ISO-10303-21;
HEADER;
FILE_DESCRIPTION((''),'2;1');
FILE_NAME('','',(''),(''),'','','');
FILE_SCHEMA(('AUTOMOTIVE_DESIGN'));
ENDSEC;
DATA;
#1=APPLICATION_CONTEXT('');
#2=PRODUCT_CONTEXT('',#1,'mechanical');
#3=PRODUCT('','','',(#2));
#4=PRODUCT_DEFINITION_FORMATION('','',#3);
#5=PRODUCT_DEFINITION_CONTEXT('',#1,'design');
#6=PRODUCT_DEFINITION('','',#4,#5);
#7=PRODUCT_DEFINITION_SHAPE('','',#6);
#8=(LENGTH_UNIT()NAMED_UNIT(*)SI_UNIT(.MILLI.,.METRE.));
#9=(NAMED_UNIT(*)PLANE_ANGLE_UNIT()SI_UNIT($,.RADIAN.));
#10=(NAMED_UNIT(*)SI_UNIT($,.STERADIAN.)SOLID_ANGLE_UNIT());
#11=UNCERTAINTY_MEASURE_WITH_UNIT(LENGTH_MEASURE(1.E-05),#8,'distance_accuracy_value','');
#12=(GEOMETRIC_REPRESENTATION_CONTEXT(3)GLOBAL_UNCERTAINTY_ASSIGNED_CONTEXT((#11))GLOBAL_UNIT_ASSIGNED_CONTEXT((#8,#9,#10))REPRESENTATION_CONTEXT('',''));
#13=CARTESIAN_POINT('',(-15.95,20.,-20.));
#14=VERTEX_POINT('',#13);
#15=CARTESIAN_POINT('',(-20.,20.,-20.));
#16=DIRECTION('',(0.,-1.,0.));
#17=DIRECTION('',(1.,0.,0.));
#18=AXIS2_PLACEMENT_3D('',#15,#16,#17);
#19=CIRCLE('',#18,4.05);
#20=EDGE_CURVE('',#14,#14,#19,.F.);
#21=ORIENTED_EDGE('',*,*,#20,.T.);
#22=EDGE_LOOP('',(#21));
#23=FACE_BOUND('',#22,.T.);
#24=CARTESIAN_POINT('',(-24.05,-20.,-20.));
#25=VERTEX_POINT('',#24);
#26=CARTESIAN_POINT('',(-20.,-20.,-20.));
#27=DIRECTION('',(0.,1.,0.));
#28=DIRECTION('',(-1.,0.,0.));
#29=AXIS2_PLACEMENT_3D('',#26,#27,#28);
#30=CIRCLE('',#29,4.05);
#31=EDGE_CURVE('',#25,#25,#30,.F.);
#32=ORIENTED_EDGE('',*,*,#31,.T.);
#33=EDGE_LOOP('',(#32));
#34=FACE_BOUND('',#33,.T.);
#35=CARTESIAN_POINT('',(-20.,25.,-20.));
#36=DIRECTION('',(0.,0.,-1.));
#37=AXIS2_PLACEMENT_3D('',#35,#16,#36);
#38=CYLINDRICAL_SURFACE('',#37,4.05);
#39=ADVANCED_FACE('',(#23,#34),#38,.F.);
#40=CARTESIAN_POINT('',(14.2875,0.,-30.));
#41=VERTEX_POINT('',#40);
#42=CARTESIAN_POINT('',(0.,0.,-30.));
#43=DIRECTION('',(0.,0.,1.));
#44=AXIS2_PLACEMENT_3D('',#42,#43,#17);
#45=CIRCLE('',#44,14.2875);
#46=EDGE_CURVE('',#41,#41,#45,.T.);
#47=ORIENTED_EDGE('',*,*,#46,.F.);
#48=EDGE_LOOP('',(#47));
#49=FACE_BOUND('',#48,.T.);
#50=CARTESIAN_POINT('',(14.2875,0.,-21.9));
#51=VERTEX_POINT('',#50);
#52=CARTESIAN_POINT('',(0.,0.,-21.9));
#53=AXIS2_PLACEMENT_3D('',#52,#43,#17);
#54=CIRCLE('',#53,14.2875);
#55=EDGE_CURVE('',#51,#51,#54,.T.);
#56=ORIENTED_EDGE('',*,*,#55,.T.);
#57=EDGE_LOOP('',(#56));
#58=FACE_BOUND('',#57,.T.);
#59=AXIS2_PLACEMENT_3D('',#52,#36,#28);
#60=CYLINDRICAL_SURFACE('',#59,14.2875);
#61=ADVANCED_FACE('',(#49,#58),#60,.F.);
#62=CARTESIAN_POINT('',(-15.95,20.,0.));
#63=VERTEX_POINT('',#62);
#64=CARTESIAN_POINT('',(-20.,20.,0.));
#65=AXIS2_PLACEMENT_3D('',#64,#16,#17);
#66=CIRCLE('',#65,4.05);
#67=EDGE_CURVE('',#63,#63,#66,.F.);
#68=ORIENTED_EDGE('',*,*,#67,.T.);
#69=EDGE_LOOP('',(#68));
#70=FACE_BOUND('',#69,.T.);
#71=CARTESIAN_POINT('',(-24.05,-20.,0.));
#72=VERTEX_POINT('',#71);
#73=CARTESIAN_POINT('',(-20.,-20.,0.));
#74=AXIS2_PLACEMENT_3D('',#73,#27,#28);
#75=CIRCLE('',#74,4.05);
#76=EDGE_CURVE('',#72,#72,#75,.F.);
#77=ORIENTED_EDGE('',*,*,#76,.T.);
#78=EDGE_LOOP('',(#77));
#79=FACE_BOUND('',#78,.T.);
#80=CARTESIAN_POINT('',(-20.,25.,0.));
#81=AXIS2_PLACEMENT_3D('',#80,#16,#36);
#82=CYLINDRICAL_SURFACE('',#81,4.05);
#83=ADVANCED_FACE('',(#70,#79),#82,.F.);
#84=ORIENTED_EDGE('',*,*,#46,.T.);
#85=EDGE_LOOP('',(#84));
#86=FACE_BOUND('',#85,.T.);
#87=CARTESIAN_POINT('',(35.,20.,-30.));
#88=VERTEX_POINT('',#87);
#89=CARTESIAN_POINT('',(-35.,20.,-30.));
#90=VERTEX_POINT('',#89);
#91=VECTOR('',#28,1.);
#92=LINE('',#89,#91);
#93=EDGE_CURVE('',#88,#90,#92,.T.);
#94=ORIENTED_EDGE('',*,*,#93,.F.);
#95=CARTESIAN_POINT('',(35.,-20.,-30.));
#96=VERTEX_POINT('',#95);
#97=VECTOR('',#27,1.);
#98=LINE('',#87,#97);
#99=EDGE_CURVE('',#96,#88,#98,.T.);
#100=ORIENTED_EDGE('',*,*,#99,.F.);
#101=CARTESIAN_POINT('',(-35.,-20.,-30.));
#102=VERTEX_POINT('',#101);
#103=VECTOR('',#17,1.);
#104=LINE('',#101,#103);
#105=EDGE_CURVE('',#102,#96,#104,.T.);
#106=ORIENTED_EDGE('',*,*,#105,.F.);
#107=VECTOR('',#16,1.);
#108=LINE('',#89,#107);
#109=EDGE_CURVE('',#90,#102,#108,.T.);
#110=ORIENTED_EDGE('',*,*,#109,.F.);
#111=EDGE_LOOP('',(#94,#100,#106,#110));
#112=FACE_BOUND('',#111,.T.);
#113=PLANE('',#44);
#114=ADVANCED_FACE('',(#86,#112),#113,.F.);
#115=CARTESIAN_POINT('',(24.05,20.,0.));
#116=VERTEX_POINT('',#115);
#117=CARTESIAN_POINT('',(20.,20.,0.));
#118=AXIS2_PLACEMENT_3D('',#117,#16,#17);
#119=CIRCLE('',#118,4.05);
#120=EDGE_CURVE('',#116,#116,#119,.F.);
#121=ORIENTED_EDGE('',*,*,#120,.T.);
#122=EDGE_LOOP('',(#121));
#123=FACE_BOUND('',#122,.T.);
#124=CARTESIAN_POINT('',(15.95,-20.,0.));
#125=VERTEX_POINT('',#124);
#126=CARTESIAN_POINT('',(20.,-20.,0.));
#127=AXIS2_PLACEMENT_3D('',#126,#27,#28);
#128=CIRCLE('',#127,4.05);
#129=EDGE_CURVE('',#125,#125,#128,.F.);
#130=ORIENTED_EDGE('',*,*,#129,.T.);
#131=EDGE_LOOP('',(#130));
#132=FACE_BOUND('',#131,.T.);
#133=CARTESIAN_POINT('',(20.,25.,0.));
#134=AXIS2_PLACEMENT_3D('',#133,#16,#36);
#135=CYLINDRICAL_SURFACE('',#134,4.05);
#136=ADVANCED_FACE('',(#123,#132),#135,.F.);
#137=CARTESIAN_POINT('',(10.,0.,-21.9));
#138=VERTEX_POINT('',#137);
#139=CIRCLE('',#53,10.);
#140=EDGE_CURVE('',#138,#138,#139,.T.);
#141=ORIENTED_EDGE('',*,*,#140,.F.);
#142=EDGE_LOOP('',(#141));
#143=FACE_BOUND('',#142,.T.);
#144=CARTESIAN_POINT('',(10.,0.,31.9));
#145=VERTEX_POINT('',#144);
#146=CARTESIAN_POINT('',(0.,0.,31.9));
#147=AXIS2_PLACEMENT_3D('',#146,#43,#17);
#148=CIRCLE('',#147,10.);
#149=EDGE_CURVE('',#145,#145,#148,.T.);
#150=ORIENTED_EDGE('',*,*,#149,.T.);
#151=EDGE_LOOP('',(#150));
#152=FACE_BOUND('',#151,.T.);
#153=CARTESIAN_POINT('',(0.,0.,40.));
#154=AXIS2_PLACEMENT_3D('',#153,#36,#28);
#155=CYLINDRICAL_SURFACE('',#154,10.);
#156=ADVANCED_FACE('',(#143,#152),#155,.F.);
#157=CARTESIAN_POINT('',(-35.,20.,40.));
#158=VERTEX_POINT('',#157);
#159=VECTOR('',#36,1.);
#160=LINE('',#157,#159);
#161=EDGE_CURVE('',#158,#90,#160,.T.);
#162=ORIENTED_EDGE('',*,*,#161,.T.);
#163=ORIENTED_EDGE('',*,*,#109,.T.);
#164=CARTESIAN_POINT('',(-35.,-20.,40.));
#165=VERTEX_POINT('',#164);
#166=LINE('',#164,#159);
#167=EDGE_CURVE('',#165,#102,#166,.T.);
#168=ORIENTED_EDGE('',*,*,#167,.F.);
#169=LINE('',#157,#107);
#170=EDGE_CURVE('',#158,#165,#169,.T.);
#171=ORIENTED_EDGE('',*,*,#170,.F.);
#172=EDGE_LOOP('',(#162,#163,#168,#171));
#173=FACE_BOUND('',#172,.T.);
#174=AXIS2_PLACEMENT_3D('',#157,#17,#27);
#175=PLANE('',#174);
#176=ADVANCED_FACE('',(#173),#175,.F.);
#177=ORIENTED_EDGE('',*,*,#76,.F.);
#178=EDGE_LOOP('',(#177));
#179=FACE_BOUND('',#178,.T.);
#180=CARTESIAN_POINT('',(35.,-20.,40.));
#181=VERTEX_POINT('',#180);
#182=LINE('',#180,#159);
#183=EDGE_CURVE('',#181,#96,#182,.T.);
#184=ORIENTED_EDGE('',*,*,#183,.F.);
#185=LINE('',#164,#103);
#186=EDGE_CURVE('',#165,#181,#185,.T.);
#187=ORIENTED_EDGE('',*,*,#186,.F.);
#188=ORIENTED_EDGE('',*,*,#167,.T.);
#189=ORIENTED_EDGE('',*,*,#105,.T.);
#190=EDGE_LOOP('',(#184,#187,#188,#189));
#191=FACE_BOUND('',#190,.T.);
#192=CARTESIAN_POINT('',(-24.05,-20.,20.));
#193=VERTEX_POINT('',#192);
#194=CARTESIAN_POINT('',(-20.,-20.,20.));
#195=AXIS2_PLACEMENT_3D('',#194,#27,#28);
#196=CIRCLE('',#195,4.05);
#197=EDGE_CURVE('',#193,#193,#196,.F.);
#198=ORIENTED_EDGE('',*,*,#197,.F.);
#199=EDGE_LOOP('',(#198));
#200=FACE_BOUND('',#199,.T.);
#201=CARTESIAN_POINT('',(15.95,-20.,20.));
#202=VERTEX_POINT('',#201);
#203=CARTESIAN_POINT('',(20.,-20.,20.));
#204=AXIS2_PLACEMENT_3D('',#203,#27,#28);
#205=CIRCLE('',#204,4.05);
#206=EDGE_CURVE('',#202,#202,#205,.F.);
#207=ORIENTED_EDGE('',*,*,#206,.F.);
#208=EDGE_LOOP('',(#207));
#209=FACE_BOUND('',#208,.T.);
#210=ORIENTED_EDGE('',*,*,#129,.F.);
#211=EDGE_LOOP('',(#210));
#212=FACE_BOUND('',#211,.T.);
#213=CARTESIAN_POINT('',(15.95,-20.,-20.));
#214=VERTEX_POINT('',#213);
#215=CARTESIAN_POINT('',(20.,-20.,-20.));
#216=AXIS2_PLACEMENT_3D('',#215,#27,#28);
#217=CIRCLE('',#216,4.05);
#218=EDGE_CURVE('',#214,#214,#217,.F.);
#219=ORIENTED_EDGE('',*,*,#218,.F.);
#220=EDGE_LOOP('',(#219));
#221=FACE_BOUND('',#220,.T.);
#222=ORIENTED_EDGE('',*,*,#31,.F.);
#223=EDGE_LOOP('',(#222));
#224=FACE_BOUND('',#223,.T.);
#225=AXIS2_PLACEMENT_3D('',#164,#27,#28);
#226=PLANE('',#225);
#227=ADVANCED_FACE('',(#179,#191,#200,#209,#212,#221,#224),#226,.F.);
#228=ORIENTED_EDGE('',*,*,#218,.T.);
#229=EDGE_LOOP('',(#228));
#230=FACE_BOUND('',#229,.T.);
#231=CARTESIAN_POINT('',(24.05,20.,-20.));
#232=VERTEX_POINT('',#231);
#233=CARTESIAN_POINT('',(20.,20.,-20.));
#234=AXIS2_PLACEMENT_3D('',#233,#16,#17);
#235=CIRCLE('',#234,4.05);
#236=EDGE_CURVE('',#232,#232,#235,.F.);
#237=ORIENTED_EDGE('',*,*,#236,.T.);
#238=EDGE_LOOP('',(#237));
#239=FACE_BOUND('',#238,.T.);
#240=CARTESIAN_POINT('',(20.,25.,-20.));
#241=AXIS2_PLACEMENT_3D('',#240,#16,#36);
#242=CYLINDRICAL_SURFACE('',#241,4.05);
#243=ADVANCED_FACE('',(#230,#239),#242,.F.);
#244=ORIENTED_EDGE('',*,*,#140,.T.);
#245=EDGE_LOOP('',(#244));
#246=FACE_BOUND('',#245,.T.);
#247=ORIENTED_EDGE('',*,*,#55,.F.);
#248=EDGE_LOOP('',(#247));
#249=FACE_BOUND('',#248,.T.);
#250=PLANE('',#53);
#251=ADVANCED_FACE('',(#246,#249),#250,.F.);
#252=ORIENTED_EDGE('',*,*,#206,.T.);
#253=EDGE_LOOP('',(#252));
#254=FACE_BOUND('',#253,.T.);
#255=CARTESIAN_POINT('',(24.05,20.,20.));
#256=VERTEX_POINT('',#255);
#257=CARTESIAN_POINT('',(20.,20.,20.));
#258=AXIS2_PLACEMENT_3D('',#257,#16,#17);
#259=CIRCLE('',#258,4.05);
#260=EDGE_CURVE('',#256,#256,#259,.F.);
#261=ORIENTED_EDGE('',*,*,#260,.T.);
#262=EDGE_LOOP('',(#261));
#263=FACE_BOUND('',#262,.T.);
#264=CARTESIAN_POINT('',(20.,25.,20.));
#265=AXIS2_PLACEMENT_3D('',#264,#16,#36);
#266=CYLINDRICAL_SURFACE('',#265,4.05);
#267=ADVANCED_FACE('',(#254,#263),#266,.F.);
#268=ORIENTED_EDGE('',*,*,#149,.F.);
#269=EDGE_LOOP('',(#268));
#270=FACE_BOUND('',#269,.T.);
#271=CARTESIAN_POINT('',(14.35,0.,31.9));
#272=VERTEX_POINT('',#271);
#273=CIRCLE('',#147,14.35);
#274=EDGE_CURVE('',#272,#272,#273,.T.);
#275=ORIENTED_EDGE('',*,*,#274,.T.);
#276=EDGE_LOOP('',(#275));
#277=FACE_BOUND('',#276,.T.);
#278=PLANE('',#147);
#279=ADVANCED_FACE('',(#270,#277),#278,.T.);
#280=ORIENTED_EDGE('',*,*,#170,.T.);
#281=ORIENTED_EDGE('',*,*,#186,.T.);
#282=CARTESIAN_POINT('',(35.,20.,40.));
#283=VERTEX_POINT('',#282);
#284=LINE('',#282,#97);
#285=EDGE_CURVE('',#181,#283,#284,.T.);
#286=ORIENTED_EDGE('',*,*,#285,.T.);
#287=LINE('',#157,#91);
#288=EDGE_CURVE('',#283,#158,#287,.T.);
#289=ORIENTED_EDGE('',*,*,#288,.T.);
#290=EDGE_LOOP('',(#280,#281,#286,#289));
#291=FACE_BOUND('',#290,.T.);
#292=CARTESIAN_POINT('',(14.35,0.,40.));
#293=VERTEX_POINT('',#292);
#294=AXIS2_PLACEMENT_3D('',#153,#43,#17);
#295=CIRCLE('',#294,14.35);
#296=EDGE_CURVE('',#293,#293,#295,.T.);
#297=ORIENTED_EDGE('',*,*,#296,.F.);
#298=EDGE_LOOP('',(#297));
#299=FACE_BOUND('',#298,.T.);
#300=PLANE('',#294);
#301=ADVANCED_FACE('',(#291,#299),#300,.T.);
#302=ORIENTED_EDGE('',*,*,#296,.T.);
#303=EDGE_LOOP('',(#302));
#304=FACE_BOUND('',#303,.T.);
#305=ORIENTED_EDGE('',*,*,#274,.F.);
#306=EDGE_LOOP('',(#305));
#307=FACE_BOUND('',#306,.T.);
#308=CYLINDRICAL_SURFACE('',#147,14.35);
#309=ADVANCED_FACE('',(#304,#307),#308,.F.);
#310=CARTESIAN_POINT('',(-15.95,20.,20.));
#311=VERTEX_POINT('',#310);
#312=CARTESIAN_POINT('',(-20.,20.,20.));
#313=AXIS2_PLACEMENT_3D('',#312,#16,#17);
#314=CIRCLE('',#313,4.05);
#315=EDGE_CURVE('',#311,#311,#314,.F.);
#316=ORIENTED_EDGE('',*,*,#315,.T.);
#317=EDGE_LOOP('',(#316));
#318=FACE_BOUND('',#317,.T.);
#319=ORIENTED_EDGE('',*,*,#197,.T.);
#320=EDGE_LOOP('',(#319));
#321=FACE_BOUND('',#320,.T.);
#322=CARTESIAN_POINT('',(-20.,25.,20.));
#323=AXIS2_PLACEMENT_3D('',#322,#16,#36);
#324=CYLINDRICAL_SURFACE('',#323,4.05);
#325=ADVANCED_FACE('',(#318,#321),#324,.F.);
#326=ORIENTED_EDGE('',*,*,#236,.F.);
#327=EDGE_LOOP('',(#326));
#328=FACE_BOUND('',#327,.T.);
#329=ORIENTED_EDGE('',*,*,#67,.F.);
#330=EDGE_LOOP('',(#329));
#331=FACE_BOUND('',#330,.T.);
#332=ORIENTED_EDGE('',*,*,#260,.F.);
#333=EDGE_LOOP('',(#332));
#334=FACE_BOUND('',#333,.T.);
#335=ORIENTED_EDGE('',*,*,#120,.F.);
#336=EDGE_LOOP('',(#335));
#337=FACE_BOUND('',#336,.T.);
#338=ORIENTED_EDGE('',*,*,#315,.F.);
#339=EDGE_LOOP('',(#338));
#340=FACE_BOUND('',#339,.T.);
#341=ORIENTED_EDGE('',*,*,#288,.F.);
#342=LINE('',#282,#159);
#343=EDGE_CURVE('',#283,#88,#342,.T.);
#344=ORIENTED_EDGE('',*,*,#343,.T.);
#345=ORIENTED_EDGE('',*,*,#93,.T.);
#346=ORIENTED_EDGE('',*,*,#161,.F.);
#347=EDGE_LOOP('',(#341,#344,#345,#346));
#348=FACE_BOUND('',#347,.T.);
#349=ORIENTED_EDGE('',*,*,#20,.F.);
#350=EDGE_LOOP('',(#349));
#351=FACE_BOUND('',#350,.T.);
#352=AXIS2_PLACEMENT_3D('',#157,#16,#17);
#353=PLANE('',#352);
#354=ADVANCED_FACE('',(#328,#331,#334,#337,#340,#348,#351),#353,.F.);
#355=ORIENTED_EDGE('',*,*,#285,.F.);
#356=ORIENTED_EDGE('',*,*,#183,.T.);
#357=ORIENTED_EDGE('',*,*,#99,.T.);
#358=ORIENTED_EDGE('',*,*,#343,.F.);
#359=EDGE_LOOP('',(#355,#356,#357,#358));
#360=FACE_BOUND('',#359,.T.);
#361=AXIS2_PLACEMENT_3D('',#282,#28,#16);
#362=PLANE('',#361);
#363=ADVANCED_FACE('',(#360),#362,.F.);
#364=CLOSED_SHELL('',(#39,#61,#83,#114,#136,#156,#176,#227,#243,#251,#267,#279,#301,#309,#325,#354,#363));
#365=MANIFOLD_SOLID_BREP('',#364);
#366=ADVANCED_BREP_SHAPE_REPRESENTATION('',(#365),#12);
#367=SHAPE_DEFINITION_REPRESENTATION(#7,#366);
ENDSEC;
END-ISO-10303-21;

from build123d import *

# Parameters (mm, degrees)
BOSS_EXTRUDE1_DEPTH      = 40
BOSS_EXTRUDE1_DEPTH_BACK = 30
SKETCH1_W                = 70
SKETCH1_H                = 40
SKETCH1_R                = 10
CUT_EXTRUDE1_DEPTH       = 25
CUT_EXTRUDE1_DEPTH_BACK  = 25
SKETCH2_R                = 4.05
CUT_EXTRUDE2_START       = 40
SKETCH3_R                = 14.35
CUT_EXTRUDE2_DEPTH       = 8.1
CUT_EXTRUDE3_START       = -30
SKETCH4_R                = 14.2875
CUT_EXTRUDE3_DEPTH       = 8.1


with BuildPart() as part:
    # Sketch1 → Boss-Extrude1 (new, two sides: drawn at the far end of the back side and taken through both)
    with BuildSketch(Plane.XY.offset(-BOSS_EXTRUDE1_DEPTH_BACK)):
        Rectangle(SKETCH1_W, SKETCH1_H)
        Circle(SKETCH1_R, mode=Mode.SUBTRACT)
    extrude(amount=BOSS_EXTRUDE1_DEPTH + BOSS_EXTRUDE1_DEPTH_BACK)

    # Sketch2 → Cut-Extrude1 (cut, two sides: drawn at the far end of the back side and taken through both)
    with BuildSketch(Plane(origin=(0, 0, 0), x_dir=(1, 0, 0), z_dir=(0, 1, 0)).offset(-CUT_EXTRUDE1_DEPTH_BACK)):
        with Locations((-20, 20)):
            Circle(SKETCH2_R)
        with Locations((20, 20)):
            Circle(SKETCH2_R)
        with Locations((-20, -20)):
            Circle(SKETCH2_R)
        with Locations((20, -20)):
            Circle(SKETCH2_R)
        with Locations((-20, 0)):
            Circle(SKETCH2_R)
        with Locations((20, 0)):
            Circle(SKETCH2_R)
    extrude(amount=CUT_EXTRUDE1_DEPTH + CUT_EXTRUDE1_DEPTH_BACK, mode=Mode.SUBTRACT)

    # Sketch3 → Cut-Extrude2 (cut)
    with BuildSketch(Plane.XY.offset(CUT_EXTRUDE2_START)):
        Circle(SKETCH3_R)
    extrude(amount=-CUT_EXTRUDE2_DEPTH, mode=Mode.SUBTRACT)

    # Sketch4 → Cut-Extrude3 (cut)
    with BuildSketch(Plane.XY.offset(CUT_EXTRUDE3_START)):
        Circle(SKETCH4_R)
    extrude(amount=CUT_EXTRUDE3_DEPTH, mode=Mode.SUBTRACT)


solid = part.part
